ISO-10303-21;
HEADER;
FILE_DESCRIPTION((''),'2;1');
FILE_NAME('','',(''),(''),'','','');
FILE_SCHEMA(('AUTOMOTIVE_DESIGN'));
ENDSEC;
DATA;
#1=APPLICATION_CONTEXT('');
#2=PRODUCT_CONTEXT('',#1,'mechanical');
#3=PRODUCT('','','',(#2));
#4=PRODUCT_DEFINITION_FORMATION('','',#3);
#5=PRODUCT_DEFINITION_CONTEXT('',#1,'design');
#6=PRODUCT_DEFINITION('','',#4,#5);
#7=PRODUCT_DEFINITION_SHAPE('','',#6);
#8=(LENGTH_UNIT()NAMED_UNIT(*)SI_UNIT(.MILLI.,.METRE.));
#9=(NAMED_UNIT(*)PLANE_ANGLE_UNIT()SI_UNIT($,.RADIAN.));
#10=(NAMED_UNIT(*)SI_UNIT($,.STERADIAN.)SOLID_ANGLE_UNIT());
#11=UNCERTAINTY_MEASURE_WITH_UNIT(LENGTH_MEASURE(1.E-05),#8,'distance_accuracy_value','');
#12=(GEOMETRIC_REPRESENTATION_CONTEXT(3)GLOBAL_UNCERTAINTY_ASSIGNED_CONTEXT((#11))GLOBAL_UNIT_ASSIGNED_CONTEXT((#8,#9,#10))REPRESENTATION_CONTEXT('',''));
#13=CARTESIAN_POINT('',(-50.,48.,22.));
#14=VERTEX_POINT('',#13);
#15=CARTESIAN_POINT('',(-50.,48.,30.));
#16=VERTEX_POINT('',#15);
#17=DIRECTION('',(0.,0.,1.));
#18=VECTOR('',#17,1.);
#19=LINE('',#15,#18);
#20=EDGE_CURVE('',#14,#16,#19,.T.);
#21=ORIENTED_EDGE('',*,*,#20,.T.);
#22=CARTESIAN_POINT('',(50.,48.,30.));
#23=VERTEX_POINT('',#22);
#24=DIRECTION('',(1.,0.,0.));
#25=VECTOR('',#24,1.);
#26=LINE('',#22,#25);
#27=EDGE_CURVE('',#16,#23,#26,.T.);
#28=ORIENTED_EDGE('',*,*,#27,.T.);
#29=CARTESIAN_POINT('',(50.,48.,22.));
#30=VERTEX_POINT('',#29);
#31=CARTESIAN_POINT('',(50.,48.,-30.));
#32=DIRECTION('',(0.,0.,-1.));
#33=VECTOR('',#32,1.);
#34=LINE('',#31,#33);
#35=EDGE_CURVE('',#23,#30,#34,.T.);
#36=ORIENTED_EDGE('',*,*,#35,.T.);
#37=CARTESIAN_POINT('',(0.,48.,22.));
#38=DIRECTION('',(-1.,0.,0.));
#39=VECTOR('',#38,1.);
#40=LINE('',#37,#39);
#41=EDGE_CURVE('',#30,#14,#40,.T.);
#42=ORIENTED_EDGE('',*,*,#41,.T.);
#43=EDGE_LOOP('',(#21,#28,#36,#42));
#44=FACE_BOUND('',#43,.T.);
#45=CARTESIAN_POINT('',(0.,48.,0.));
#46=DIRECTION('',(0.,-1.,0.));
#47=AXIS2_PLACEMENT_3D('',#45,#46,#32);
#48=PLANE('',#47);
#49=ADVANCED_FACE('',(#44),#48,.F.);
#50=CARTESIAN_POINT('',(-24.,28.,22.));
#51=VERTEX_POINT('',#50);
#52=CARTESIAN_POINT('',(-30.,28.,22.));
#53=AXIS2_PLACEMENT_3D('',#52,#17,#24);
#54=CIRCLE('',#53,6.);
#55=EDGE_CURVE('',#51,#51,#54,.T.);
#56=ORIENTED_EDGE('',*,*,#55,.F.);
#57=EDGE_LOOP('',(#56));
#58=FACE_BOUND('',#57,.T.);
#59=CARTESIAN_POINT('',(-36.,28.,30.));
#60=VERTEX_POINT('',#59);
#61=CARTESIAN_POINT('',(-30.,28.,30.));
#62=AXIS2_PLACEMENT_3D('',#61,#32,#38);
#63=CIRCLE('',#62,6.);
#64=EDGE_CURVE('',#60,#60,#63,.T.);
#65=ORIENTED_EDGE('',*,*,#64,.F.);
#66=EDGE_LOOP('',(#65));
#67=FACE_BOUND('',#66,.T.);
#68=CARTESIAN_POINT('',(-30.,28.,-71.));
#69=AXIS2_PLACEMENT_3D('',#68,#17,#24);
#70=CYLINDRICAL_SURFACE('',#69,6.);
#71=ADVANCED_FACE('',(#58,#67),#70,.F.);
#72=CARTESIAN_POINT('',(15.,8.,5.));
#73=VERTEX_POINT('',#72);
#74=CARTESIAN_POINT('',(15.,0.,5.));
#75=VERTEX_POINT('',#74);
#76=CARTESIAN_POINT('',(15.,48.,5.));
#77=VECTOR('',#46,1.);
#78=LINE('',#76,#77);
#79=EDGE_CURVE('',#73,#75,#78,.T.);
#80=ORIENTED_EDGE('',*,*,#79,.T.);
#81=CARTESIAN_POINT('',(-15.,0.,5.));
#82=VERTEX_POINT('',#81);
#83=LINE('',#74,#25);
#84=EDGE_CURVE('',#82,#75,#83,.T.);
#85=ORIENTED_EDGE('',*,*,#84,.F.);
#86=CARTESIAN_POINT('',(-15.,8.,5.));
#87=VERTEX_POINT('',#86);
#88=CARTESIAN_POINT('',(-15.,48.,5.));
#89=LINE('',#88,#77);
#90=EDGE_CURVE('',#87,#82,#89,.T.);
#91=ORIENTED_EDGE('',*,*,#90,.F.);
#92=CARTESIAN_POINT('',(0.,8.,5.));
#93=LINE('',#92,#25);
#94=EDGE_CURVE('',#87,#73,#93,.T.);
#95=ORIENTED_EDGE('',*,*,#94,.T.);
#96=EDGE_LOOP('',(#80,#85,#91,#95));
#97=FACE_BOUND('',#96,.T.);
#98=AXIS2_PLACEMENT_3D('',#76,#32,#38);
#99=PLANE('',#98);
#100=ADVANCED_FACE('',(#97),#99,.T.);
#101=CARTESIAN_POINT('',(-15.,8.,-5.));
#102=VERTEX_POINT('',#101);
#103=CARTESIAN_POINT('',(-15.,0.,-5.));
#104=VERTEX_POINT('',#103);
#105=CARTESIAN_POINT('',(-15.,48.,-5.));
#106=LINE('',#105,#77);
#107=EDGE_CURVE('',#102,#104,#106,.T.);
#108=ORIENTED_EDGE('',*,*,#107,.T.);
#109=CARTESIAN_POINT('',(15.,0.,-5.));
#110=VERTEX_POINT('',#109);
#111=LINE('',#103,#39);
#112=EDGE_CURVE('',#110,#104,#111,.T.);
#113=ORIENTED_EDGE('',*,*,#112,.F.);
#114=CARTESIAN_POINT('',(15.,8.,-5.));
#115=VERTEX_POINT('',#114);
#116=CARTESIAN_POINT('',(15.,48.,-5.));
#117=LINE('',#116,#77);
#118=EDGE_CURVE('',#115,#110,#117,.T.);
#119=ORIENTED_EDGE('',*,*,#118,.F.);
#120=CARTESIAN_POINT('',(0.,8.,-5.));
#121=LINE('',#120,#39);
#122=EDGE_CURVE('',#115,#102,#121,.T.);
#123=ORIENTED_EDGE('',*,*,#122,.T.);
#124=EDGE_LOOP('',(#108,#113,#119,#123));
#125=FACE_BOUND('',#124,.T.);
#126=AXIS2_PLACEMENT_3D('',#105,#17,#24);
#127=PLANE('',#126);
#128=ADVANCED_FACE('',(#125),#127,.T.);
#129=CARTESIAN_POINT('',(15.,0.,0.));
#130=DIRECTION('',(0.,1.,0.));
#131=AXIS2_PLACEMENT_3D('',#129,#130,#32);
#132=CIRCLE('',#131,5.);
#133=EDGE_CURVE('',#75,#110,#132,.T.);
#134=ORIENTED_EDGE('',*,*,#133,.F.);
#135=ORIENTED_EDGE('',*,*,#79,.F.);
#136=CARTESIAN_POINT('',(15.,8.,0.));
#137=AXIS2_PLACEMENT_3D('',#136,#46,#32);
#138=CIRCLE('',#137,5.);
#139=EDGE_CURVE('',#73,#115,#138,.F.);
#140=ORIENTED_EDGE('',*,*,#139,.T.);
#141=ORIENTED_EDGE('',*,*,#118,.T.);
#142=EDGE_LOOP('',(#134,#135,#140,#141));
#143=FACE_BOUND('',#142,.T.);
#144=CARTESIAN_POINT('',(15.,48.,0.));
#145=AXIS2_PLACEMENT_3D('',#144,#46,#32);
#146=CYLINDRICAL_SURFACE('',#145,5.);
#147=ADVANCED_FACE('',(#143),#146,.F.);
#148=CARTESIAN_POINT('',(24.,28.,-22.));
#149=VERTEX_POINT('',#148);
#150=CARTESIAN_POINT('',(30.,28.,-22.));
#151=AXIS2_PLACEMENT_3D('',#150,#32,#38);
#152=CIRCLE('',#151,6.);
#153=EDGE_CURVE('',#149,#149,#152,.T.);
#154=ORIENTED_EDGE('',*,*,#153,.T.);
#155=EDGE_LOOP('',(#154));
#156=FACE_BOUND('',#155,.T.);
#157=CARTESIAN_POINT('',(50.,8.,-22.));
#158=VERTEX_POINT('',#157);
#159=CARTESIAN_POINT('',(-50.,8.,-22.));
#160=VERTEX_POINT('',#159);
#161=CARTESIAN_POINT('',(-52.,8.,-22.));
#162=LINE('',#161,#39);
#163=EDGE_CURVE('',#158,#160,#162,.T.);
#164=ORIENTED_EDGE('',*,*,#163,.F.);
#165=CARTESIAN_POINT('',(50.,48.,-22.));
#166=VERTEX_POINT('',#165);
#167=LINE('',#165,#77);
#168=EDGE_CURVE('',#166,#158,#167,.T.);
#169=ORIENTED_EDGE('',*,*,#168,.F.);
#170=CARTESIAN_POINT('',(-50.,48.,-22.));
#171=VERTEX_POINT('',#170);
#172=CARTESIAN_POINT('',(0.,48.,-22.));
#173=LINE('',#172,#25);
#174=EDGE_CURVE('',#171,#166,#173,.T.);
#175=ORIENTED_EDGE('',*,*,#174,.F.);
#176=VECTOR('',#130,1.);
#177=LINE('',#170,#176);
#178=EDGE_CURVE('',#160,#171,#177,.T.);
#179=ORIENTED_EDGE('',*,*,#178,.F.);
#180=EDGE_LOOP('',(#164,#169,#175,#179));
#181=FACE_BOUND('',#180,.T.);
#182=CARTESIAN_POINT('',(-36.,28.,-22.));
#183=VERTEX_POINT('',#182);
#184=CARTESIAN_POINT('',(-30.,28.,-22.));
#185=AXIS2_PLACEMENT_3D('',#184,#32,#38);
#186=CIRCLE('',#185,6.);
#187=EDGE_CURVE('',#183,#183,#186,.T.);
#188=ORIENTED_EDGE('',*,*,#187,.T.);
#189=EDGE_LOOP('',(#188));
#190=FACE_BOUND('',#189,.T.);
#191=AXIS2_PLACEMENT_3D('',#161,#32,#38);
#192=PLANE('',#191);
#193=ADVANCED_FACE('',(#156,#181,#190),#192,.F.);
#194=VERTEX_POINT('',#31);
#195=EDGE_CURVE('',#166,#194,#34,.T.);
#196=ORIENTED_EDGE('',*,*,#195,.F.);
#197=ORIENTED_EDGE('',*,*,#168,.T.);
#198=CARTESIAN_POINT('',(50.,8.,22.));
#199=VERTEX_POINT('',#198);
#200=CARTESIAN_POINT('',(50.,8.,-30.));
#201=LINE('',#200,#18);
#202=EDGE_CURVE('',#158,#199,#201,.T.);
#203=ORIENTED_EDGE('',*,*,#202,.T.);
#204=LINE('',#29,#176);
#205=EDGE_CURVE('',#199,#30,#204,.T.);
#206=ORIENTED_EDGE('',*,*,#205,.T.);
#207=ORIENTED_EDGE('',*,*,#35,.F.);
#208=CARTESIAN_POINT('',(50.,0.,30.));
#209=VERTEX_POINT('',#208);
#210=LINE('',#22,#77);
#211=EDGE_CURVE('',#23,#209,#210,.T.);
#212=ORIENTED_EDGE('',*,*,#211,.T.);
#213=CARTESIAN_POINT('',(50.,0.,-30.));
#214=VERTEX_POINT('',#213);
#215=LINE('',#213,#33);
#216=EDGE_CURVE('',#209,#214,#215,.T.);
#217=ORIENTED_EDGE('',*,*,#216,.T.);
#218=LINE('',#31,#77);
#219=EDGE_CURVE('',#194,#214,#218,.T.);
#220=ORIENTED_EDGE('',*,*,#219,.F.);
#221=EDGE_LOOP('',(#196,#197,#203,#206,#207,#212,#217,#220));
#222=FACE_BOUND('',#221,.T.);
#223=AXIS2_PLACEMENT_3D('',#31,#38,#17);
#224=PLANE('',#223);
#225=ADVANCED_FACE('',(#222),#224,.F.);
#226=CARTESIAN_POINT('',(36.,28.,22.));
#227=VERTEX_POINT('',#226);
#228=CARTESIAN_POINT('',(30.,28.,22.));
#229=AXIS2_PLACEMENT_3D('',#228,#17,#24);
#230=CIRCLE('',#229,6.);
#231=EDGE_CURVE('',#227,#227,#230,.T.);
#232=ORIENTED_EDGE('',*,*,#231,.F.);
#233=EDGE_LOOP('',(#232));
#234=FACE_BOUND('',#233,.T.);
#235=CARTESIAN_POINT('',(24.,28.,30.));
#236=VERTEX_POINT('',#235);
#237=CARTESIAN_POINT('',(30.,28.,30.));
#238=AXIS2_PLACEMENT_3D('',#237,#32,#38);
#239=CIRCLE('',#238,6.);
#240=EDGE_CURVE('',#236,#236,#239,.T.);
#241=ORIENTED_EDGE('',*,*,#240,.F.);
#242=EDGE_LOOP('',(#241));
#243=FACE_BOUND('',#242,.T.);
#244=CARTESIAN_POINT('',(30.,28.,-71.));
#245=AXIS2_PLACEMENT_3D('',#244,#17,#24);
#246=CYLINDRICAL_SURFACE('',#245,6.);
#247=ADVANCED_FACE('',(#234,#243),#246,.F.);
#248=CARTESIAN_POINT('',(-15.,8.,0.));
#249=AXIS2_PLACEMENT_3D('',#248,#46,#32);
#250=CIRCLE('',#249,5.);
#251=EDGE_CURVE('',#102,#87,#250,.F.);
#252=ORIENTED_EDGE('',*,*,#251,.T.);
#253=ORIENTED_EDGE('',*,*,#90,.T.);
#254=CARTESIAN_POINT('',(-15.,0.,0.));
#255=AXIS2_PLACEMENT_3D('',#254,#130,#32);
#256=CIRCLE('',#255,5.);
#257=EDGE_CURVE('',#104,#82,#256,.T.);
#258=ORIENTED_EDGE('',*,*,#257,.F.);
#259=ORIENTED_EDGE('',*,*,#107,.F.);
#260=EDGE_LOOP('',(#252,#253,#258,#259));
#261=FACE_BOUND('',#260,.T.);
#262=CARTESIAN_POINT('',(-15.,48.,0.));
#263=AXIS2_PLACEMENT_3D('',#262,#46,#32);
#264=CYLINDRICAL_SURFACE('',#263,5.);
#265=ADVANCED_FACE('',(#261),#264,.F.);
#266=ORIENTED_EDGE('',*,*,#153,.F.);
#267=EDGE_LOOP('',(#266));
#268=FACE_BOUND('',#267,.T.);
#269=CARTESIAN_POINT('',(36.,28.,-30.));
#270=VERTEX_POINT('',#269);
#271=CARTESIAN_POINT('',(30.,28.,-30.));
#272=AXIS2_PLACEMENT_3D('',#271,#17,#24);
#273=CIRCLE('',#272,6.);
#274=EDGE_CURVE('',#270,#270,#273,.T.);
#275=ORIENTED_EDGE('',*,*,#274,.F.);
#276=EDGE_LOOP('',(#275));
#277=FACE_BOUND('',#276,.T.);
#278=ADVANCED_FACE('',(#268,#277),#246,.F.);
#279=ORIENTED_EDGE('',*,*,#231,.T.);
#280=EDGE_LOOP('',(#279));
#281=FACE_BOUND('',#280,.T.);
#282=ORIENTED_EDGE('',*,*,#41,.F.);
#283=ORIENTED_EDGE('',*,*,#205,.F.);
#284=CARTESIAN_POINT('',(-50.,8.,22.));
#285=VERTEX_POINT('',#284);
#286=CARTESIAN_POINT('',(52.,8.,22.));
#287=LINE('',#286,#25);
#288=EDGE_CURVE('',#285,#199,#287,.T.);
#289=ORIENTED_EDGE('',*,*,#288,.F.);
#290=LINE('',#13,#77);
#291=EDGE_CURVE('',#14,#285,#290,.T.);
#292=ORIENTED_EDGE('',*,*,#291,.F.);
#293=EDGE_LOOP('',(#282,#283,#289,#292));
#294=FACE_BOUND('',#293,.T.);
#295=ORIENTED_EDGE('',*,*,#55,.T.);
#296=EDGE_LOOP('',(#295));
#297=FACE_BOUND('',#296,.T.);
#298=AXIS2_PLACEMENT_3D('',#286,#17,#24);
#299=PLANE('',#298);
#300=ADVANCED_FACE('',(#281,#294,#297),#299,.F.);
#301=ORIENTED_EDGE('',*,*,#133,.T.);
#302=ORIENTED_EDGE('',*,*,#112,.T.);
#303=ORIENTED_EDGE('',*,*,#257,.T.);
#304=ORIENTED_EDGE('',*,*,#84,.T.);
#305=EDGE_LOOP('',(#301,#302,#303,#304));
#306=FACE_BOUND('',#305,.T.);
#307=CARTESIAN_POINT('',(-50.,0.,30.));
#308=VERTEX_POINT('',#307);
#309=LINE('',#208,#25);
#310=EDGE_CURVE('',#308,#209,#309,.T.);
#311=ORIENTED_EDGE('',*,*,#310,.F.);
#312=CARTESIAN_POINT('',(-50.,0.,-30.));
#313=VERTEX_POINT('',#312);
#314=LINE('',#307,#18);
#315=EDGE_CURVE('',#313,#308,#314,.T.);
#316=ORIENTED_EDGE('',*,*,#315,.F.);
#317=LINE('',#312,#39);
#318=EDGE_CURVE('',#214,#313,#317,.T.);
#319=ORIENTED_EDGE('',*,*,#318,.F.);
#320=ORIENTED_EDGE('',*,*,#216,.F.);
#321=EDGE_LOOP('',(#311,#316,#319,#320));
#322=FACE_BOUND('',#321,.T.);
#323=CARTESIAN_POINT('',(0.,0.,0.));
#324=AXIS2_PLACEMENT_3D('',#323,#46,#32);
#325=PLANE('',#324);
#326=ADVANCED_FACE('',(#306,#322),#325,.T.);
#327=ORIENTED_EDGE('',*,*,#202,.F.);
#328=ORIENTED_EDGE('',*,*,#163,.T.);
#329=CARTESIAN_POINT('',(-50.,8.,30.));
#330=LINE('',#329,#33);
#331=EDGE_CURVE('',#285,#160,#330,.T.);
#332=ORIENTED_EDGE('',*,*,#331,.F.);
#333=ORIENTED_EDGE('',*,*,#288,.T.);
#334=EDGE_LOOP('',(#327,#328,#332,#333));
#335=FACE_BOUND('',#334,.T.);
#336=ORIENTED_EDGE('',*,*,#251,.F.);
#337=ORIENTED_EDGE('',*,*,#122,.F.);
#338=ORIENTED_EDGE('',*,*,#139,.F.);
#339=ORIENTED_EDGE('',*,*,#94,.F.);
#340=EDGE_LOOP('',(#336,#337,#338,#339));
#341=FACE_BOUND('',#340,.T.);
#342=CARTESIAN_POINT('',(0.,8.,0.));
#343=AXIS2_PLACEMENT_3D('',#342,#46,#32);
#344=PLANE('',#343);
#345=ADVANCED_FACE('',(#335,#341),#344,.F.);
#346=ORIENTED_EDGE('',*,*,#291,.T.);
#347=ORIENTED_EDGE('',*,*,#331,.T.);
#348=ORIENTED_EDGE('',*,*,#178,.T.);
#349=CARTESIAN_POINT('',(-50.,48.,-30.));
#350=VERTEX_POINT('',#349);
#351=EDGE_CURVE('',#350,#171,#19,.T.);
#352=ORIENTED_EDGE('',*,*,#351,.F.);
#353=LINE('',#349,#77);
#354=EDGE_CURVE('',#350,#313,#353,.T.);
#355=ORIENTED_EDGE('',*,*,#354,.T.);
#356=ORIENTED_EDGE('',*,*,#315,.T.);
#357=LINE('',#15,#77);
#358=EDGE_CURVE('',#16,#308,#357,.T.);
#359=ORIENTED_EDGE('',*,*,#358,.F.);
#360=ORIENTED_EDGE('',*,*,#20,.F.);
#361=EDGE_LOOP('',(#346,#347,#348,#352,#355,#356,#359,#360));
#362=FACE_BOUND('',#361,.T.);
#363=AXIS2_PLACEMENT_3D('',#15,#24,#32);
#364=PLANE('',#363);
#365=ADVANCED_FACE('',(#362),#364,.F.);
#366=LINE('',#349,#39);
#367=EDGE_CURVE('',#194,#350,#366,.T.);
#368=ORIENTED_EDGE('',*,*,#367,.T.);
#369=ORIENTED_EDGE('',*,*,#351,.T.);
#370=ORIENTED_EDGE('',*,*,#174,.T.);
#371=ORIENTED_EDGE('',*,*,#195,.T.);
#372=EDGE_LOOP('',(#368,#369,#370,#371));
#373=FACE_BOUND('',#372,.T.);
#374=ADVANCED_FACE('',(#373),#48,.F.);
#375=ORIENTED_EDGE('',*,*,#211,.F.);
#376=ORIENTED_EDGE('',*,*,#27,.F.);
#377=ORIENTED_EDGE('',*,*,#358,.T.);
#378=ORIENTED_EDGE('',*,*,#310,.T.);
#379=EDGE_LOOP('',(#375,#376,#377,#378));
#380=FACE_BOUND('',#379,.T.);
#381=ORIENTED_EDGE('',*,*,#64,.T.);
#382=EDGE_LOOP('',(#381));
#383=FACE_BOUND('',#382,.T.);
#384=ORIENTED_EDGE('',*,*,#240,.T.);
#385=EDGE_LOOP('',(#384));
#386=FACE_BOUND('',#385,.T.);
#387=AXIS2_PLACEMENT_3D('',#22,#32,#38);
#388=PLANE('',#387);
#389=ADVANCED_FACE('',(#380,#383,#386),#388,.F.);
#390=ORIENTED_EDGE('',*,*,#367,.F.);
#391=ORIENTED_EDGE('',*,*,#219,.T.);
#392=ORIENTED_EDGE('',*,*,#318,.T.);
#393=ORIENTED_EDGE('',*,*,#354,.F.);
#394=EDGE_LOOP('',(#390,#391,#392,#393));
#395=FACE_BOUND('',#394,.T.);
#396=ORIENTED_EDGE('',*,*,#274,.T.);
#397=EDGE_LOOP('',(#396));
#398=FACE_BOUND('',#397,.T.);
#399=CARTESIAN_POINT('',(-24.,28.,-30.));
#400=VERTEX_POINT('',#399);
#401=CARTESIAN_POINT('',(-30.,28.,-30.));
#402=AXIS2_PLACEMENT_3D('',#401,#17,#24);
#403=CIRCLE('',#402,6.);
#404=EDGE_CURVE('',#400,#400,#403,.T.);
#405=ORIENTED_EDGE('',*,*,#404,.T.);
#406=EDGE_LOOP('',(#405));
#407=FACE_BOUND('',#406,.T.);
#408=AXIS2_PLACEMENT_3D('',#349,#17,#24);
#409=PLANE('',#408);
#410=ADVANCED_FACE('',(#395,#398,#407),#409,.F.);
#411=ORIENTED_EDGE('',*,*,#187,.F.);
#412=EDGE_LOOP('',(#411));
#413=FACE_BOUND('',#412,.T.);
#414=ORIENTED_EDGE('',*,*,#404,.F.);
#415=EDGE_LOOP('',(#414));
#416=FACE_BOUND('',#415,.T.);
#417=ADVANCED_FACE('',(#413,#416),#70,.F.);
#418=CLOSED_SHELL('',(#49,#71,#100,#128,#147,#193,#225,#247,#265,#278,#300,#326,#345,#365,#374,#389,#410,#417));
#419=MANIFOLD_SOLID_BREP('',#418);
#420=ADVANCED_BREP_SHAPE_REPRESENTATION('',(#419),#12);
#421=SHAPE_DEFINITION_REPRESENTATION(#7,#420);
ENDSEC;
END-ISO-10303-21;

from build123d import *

# Parameters (mm, degrees)
SKETCH_1_W          = 100
SKETCH_1_H          = 60
EXTRUDE_1_DEPTH     = 48
SKETCH_2_W          = 104
SKETCH_2_H          = 44
CUT_EXTRUDE_1_DEPTH = 40
CUT_EXTRUDE_2_DEPTH = 76.524830354
SKETCH_4_R          = 6
CUT_EXTRUDE_3_DEPTH = 101


with BuildPart() as part:
    # 草图1 → 凸台-拉伸1 (new body)
    with BuildSketch(Plane(origin=(0, 0, 0), x_dir=(1, 0, 0), z_dir=(0, 1, 0))):
        Rectangle(SKETCH_1_W, SKETCH_1_H)
    extrude(amount=EXTRUDE_1_DEPTH)

    # 草图2 → 切除-拉伸1 (cut)
    with BuildSketch(Plane(origin=(0, 48, 0), x_dir=(1, 0, 0), z_dir=(0, 1, 0))):
        Rectangle(SKETCH_2_W, SKETCH_2_H)
    extrude(amount=-CUT_EXTRUDE_1_DEPTH, mode=Mode.SUBTRACT)

    # 草图3 → 切除-拉伸2 (cut, through all)
    with BuildSketch(Plane(origin=(0, 0, 0), x_dir=(1, 0, 0), z_dir=(0, 1, 0))):
        with BuildLine():
            Line((-15, 5), (15, 5))
            ThreePointArc((15, 5), (20, 0), (15, -5))
            Line((15, -5), (-15, -5))
            ThreePointArc((-15, -5), (-20, 0), (-15, 5))
        make_face()
    extrude(amount=CUT_EXTRUDE_2_DEPTH, mode=Mode.SUBTRACT)

    # 草图4 → 切除-拉伸3 (cut, symmetric)
    with BuildSketch(Plane.XY.offset(30)):
        with Locations((-30, 28)):
            Circle(SKETCH_4_R)
        with Locations((30, 28)):
            Circle(SKETCH_4_R)
    extrude(amount=CUT_EXTRUDE_3_DEPTH, both=True, mode=Mode.SUBTRACT)


solid = part.part
